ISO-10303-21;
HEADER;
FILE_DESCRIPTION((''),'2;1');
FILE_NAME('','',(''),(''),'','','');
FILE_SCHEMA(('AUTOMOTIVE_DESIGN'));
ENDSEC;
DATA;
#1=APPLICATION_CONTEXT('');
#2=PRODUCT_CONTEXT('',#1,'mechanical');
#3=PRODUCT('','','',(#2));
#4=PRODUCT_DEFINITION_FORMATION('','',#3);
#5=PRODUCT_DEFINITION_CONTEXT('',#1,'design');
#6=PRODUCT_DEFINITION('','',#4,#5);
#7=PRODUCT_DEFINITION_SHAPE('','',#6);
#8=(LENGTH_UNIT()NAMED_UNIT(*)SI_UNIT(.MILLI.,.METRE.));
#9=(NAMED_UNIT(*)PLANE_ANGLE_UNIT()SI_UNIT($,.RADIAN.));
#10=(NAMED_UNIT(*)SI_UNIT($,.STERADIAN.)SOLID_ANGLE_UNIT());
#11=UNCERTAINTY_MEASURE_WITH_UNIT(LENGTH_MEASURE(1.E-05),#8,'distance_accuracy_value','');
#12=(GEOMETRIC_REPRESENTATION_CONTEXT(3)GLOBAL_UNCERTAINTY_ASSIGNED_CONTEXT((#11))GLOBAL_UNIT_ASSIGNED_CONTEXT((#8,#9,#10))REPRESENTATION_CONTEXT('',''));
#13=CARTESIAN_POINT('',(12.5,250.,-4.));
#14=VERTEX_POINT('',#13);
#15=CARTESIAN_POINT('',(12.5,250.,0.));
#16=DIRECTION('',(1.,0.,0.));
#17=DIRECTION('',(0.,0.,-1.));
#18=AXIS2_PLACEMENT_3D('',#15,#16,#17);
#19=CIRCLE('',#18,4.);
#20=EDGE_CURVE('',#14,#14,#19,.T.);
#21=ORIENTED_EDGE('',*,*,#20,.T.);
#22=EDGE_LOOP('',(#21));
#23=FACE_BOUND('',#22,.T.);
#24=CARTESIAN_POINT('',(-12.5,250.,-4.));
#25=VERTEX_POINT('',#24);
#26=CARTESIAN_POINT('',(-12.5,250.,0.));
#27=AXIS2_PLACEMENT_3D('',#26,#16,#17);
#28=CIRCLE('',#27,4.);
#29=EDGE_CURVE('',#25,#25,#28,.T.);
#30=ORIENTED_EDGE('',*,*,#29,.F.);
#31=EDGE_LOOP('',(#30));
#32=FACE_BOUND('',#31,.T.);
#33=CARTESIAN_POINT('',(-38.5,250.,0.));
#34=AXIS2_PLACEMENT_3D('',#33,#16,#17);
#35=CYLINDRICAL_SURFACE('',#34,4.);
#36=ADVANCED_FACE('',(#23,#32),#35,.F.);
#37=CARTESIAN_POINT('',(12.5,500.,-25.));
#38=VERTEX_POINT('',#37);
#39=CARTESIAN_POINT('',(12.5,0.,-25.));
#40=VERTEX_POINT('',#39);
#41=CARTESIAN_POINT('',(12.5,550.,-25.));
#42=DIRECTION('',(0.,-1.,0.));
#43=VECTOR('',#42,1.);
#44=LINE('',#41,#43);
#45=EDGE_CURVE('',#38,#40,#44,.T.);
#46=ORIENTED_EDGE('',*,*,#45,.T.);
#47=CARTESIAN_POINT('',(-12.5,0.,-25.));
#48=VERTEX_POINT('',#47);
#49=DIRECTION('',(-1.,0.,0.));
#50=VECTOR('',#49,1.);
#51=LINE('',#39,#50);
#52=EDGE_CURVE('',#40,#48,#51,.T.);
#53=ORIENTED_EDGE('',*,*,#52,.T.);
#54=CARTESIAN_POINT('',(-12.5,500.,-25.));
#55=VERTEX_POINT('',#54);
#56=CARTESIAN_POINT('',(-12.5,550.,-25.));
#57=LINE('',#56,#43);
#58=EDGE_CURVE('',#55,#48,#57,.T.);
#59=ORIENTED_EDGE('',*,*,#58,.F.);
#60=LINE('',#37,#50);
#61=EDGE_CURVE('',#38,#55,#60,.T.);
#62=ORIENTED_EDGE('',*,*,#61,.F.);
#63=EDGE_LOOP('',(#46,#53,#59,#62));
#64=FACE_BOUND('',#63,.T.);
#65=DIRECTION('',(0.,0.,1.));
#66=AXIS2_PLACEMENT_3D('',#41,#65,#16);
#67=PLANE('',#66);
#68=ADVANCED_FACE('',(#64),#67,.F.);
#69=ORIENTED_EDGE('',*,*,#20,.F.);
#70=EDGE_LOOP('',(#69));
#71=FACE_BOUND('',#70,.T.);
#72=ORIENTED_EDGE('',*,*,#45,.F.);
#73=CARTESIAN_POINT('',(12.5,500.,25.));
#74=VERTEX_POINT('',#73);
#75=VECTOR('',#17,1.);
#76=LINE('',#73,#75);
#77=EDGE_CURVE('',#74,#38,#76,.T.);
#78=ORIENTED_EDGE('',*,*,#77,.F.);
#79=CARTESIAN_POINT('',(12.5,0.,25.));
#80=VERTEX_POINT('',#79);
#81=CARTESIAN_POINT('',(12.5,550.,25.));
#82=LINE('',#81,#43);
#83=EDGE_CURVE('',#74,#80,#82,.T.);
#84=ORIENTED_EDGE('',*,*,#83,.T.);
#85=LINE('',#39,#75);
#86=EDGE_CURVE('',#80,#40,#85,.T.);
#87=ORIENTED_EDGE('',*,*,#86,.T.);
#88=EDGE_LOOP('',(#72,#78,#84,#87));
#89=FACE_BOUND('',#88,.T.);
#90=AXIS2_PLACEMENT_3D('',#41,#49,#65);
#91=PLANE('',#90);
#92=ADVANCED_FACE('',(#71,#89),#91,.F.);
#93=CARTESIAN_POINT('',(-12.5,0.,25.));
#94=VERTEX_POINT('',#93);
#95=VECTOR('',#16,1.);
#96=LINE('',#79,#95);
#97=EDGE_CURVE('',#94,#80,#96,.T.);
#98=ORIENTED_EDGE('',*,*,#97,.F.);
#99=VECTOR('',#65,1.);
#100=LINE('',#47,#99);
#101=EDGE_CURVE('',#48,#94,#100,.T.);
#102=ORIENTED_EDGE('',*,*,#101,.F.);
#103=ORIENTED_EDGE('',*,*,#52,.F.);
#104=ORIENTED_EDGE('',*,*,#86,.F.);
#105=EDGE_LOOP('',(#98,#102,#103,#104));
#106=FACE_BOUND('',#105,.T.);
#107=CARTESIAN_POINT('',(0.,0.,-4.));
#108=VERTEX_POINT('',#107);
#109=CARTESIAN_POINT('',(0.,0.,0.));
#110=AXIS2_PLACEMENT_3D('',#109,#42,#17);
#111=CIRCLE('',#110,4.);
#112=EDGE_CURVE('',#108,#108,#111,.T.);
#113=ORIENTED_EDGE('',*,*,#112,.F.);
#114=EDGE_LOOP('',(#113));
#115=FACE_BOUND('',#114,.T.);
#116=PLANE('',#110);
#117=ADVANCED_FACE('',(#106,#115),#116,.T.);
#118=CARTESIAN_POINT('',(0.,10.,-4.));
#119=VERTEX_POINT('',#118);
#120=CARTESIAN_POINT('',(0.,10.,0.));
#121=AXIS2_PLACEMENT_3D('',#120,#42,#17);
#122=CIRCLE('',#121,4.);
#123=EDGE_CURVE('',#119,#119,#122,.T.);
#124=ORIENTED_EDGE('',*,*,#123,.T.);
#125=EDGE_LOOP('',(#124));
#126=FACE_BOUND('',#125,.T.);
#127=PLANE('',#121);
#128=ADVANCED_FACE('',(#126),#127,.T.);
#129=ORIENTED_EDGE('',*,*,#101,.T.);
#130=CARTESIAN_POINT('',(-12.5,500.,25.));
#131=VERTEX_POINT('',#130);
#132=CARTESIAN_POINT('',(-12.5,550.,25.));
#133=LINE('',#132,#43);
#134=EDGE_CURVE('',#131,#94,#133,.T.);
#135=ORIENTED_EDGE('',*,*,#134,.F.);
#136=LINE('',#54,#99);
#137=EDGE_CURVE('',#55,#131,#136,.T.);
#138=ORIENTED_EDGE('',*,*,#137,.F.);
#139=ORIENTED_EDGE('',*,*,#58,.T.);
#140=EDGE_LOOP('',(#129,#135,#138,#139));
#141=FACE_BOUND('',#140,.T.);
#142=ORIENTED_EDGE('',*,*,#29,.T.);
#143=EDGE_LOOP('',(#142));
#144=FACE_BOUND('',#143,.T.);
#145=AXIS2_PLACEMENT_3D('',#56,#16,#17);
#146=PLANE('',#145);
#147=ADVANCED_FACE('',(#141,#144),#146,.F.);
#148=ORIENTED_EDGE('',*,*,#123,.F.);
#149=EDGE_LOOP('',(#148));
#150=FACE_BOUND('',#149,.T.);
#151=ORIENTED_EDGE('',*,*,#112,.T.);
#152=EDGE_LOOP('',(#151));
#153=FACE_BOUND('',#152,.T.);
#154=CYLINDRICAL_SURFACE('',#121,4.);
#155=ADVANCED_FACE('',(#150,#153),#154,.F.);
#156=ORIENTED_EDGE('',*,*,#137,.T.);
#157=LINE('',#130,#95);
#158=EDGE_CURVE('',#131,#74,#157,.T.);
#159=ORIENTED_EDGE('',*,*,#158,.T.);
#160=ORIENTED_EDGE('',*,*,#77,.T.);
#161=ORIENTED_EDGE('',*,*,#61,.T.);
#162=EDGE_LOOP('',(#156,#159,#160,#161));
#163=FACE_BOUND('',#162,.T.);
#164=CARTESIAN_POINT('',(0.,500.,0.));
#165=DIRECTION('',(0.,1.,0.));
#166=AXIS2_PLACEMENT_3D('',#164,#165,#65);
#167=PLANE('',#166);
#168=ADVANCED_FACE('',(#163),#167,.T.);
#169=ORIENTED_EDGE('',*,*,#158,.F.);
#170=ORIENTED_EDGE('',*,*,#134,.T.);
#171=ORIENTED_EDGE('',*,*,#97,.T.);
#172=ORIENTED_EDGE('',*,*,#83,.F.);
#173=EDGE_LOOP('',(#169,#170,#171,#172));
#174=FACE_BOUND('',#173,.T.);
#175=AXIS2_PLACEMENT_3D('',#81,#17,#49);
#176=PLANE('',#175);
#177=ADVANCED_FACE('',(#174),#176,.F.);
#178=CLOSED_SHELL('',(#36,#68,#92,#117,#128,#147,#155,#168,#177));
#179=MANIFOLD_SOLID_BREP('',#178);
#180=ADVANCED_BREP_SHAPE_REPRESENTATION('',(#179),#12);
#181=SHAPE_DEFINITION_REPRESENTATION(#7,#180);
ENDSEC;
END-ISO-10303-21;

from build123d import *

# Parameters (mm, degrees)
SKETCH_1_W          = 25
SKETCH_1_H          = 50
EXTRUDE_1_DEPTH     = 550
SKETCH_2_R          = 4
CUT_EXTRUDE_1_DEPTH = 10
CUT_EXTRUDE_START   = -10
SKETCH_3_R          = 4
CUT_EXTRUDE_2_DEPTH = 10
SKETCH_4_W          = 25
SKETCH_4_H          = 50
CUT_EXTRUDE_3_DEPTH = 50
SKETCH_5_R          = 4
CUT_EXTRUDE_4_DEPTH = 51


with BuildPart() as part:
    # Эскиз1 → Бобышка-Вытянуть1 (new body)
    with BuildSketch(Plane(origin=(0, 0, 0), x_dir=(1, 0, 0), z_dir=(0, 1, 0))):
        Rectangle(SKETCH_1_W, SKETCH_1_H)
    extrude(amount=EXTRUDE_1_DEPTH)

    # Эскиз2 → Вырез-Вытянуть1 (cut)
    with BuildSketch(Plane(origin=(0, 550, 0), x_dir=(1, 0, 0), z_dir=(0, 1, 0))):
        with Locations(Location((0, 0, 0), (0, 0, 270))):
            Circle(SKETCH_2_R)
    extrude(amount=-CUT_EXTRUDE_1_DEPTH, mode=Mode.SUBTRACT)

    # Эскиз3 → Вырез-Вытянуть2 (cut)
    with BuildSketch(Plane.XZ.offset(CUT_EXTRUDE_START)):
        with Locations(Location((0, 0, 0), (0, 0, 90))):
            Circle(SKETCH_3_R)
    extrude(amount=CUT_EXTRUDE_2_DEPTH, mode=Mode.SUBTRACT)

    # Эскиз4 → Вырез-Вытянуть3 (cut)
    with BuildSketch(Plane(origin=(0, 550, 0), x_dir=(1, 0, 0), z_dir=(0, 1, 0))):
        Rectangle(SKETCH_4_W, SKETCH_4_H)
    extrude(amount=-CUT_EXTRUDE_3_DEPTH, mode=Mode.SUBTRACT)

    # Эскиз5 → Вырез-Вытянуть4 (cut)
    with BuildSketch(Plane(origin=(12.5, 0, 0), x_dir=(0, 0, -1), z_dir=(1, 0, 0))):
        with Locations((0, 250)):
            Circle(SKETCH_5_R)
    extrude(amount=-CUT_EXTRUDE_4_DEPTH, mode=Mode.SUBTRACT)


solid = part.part
